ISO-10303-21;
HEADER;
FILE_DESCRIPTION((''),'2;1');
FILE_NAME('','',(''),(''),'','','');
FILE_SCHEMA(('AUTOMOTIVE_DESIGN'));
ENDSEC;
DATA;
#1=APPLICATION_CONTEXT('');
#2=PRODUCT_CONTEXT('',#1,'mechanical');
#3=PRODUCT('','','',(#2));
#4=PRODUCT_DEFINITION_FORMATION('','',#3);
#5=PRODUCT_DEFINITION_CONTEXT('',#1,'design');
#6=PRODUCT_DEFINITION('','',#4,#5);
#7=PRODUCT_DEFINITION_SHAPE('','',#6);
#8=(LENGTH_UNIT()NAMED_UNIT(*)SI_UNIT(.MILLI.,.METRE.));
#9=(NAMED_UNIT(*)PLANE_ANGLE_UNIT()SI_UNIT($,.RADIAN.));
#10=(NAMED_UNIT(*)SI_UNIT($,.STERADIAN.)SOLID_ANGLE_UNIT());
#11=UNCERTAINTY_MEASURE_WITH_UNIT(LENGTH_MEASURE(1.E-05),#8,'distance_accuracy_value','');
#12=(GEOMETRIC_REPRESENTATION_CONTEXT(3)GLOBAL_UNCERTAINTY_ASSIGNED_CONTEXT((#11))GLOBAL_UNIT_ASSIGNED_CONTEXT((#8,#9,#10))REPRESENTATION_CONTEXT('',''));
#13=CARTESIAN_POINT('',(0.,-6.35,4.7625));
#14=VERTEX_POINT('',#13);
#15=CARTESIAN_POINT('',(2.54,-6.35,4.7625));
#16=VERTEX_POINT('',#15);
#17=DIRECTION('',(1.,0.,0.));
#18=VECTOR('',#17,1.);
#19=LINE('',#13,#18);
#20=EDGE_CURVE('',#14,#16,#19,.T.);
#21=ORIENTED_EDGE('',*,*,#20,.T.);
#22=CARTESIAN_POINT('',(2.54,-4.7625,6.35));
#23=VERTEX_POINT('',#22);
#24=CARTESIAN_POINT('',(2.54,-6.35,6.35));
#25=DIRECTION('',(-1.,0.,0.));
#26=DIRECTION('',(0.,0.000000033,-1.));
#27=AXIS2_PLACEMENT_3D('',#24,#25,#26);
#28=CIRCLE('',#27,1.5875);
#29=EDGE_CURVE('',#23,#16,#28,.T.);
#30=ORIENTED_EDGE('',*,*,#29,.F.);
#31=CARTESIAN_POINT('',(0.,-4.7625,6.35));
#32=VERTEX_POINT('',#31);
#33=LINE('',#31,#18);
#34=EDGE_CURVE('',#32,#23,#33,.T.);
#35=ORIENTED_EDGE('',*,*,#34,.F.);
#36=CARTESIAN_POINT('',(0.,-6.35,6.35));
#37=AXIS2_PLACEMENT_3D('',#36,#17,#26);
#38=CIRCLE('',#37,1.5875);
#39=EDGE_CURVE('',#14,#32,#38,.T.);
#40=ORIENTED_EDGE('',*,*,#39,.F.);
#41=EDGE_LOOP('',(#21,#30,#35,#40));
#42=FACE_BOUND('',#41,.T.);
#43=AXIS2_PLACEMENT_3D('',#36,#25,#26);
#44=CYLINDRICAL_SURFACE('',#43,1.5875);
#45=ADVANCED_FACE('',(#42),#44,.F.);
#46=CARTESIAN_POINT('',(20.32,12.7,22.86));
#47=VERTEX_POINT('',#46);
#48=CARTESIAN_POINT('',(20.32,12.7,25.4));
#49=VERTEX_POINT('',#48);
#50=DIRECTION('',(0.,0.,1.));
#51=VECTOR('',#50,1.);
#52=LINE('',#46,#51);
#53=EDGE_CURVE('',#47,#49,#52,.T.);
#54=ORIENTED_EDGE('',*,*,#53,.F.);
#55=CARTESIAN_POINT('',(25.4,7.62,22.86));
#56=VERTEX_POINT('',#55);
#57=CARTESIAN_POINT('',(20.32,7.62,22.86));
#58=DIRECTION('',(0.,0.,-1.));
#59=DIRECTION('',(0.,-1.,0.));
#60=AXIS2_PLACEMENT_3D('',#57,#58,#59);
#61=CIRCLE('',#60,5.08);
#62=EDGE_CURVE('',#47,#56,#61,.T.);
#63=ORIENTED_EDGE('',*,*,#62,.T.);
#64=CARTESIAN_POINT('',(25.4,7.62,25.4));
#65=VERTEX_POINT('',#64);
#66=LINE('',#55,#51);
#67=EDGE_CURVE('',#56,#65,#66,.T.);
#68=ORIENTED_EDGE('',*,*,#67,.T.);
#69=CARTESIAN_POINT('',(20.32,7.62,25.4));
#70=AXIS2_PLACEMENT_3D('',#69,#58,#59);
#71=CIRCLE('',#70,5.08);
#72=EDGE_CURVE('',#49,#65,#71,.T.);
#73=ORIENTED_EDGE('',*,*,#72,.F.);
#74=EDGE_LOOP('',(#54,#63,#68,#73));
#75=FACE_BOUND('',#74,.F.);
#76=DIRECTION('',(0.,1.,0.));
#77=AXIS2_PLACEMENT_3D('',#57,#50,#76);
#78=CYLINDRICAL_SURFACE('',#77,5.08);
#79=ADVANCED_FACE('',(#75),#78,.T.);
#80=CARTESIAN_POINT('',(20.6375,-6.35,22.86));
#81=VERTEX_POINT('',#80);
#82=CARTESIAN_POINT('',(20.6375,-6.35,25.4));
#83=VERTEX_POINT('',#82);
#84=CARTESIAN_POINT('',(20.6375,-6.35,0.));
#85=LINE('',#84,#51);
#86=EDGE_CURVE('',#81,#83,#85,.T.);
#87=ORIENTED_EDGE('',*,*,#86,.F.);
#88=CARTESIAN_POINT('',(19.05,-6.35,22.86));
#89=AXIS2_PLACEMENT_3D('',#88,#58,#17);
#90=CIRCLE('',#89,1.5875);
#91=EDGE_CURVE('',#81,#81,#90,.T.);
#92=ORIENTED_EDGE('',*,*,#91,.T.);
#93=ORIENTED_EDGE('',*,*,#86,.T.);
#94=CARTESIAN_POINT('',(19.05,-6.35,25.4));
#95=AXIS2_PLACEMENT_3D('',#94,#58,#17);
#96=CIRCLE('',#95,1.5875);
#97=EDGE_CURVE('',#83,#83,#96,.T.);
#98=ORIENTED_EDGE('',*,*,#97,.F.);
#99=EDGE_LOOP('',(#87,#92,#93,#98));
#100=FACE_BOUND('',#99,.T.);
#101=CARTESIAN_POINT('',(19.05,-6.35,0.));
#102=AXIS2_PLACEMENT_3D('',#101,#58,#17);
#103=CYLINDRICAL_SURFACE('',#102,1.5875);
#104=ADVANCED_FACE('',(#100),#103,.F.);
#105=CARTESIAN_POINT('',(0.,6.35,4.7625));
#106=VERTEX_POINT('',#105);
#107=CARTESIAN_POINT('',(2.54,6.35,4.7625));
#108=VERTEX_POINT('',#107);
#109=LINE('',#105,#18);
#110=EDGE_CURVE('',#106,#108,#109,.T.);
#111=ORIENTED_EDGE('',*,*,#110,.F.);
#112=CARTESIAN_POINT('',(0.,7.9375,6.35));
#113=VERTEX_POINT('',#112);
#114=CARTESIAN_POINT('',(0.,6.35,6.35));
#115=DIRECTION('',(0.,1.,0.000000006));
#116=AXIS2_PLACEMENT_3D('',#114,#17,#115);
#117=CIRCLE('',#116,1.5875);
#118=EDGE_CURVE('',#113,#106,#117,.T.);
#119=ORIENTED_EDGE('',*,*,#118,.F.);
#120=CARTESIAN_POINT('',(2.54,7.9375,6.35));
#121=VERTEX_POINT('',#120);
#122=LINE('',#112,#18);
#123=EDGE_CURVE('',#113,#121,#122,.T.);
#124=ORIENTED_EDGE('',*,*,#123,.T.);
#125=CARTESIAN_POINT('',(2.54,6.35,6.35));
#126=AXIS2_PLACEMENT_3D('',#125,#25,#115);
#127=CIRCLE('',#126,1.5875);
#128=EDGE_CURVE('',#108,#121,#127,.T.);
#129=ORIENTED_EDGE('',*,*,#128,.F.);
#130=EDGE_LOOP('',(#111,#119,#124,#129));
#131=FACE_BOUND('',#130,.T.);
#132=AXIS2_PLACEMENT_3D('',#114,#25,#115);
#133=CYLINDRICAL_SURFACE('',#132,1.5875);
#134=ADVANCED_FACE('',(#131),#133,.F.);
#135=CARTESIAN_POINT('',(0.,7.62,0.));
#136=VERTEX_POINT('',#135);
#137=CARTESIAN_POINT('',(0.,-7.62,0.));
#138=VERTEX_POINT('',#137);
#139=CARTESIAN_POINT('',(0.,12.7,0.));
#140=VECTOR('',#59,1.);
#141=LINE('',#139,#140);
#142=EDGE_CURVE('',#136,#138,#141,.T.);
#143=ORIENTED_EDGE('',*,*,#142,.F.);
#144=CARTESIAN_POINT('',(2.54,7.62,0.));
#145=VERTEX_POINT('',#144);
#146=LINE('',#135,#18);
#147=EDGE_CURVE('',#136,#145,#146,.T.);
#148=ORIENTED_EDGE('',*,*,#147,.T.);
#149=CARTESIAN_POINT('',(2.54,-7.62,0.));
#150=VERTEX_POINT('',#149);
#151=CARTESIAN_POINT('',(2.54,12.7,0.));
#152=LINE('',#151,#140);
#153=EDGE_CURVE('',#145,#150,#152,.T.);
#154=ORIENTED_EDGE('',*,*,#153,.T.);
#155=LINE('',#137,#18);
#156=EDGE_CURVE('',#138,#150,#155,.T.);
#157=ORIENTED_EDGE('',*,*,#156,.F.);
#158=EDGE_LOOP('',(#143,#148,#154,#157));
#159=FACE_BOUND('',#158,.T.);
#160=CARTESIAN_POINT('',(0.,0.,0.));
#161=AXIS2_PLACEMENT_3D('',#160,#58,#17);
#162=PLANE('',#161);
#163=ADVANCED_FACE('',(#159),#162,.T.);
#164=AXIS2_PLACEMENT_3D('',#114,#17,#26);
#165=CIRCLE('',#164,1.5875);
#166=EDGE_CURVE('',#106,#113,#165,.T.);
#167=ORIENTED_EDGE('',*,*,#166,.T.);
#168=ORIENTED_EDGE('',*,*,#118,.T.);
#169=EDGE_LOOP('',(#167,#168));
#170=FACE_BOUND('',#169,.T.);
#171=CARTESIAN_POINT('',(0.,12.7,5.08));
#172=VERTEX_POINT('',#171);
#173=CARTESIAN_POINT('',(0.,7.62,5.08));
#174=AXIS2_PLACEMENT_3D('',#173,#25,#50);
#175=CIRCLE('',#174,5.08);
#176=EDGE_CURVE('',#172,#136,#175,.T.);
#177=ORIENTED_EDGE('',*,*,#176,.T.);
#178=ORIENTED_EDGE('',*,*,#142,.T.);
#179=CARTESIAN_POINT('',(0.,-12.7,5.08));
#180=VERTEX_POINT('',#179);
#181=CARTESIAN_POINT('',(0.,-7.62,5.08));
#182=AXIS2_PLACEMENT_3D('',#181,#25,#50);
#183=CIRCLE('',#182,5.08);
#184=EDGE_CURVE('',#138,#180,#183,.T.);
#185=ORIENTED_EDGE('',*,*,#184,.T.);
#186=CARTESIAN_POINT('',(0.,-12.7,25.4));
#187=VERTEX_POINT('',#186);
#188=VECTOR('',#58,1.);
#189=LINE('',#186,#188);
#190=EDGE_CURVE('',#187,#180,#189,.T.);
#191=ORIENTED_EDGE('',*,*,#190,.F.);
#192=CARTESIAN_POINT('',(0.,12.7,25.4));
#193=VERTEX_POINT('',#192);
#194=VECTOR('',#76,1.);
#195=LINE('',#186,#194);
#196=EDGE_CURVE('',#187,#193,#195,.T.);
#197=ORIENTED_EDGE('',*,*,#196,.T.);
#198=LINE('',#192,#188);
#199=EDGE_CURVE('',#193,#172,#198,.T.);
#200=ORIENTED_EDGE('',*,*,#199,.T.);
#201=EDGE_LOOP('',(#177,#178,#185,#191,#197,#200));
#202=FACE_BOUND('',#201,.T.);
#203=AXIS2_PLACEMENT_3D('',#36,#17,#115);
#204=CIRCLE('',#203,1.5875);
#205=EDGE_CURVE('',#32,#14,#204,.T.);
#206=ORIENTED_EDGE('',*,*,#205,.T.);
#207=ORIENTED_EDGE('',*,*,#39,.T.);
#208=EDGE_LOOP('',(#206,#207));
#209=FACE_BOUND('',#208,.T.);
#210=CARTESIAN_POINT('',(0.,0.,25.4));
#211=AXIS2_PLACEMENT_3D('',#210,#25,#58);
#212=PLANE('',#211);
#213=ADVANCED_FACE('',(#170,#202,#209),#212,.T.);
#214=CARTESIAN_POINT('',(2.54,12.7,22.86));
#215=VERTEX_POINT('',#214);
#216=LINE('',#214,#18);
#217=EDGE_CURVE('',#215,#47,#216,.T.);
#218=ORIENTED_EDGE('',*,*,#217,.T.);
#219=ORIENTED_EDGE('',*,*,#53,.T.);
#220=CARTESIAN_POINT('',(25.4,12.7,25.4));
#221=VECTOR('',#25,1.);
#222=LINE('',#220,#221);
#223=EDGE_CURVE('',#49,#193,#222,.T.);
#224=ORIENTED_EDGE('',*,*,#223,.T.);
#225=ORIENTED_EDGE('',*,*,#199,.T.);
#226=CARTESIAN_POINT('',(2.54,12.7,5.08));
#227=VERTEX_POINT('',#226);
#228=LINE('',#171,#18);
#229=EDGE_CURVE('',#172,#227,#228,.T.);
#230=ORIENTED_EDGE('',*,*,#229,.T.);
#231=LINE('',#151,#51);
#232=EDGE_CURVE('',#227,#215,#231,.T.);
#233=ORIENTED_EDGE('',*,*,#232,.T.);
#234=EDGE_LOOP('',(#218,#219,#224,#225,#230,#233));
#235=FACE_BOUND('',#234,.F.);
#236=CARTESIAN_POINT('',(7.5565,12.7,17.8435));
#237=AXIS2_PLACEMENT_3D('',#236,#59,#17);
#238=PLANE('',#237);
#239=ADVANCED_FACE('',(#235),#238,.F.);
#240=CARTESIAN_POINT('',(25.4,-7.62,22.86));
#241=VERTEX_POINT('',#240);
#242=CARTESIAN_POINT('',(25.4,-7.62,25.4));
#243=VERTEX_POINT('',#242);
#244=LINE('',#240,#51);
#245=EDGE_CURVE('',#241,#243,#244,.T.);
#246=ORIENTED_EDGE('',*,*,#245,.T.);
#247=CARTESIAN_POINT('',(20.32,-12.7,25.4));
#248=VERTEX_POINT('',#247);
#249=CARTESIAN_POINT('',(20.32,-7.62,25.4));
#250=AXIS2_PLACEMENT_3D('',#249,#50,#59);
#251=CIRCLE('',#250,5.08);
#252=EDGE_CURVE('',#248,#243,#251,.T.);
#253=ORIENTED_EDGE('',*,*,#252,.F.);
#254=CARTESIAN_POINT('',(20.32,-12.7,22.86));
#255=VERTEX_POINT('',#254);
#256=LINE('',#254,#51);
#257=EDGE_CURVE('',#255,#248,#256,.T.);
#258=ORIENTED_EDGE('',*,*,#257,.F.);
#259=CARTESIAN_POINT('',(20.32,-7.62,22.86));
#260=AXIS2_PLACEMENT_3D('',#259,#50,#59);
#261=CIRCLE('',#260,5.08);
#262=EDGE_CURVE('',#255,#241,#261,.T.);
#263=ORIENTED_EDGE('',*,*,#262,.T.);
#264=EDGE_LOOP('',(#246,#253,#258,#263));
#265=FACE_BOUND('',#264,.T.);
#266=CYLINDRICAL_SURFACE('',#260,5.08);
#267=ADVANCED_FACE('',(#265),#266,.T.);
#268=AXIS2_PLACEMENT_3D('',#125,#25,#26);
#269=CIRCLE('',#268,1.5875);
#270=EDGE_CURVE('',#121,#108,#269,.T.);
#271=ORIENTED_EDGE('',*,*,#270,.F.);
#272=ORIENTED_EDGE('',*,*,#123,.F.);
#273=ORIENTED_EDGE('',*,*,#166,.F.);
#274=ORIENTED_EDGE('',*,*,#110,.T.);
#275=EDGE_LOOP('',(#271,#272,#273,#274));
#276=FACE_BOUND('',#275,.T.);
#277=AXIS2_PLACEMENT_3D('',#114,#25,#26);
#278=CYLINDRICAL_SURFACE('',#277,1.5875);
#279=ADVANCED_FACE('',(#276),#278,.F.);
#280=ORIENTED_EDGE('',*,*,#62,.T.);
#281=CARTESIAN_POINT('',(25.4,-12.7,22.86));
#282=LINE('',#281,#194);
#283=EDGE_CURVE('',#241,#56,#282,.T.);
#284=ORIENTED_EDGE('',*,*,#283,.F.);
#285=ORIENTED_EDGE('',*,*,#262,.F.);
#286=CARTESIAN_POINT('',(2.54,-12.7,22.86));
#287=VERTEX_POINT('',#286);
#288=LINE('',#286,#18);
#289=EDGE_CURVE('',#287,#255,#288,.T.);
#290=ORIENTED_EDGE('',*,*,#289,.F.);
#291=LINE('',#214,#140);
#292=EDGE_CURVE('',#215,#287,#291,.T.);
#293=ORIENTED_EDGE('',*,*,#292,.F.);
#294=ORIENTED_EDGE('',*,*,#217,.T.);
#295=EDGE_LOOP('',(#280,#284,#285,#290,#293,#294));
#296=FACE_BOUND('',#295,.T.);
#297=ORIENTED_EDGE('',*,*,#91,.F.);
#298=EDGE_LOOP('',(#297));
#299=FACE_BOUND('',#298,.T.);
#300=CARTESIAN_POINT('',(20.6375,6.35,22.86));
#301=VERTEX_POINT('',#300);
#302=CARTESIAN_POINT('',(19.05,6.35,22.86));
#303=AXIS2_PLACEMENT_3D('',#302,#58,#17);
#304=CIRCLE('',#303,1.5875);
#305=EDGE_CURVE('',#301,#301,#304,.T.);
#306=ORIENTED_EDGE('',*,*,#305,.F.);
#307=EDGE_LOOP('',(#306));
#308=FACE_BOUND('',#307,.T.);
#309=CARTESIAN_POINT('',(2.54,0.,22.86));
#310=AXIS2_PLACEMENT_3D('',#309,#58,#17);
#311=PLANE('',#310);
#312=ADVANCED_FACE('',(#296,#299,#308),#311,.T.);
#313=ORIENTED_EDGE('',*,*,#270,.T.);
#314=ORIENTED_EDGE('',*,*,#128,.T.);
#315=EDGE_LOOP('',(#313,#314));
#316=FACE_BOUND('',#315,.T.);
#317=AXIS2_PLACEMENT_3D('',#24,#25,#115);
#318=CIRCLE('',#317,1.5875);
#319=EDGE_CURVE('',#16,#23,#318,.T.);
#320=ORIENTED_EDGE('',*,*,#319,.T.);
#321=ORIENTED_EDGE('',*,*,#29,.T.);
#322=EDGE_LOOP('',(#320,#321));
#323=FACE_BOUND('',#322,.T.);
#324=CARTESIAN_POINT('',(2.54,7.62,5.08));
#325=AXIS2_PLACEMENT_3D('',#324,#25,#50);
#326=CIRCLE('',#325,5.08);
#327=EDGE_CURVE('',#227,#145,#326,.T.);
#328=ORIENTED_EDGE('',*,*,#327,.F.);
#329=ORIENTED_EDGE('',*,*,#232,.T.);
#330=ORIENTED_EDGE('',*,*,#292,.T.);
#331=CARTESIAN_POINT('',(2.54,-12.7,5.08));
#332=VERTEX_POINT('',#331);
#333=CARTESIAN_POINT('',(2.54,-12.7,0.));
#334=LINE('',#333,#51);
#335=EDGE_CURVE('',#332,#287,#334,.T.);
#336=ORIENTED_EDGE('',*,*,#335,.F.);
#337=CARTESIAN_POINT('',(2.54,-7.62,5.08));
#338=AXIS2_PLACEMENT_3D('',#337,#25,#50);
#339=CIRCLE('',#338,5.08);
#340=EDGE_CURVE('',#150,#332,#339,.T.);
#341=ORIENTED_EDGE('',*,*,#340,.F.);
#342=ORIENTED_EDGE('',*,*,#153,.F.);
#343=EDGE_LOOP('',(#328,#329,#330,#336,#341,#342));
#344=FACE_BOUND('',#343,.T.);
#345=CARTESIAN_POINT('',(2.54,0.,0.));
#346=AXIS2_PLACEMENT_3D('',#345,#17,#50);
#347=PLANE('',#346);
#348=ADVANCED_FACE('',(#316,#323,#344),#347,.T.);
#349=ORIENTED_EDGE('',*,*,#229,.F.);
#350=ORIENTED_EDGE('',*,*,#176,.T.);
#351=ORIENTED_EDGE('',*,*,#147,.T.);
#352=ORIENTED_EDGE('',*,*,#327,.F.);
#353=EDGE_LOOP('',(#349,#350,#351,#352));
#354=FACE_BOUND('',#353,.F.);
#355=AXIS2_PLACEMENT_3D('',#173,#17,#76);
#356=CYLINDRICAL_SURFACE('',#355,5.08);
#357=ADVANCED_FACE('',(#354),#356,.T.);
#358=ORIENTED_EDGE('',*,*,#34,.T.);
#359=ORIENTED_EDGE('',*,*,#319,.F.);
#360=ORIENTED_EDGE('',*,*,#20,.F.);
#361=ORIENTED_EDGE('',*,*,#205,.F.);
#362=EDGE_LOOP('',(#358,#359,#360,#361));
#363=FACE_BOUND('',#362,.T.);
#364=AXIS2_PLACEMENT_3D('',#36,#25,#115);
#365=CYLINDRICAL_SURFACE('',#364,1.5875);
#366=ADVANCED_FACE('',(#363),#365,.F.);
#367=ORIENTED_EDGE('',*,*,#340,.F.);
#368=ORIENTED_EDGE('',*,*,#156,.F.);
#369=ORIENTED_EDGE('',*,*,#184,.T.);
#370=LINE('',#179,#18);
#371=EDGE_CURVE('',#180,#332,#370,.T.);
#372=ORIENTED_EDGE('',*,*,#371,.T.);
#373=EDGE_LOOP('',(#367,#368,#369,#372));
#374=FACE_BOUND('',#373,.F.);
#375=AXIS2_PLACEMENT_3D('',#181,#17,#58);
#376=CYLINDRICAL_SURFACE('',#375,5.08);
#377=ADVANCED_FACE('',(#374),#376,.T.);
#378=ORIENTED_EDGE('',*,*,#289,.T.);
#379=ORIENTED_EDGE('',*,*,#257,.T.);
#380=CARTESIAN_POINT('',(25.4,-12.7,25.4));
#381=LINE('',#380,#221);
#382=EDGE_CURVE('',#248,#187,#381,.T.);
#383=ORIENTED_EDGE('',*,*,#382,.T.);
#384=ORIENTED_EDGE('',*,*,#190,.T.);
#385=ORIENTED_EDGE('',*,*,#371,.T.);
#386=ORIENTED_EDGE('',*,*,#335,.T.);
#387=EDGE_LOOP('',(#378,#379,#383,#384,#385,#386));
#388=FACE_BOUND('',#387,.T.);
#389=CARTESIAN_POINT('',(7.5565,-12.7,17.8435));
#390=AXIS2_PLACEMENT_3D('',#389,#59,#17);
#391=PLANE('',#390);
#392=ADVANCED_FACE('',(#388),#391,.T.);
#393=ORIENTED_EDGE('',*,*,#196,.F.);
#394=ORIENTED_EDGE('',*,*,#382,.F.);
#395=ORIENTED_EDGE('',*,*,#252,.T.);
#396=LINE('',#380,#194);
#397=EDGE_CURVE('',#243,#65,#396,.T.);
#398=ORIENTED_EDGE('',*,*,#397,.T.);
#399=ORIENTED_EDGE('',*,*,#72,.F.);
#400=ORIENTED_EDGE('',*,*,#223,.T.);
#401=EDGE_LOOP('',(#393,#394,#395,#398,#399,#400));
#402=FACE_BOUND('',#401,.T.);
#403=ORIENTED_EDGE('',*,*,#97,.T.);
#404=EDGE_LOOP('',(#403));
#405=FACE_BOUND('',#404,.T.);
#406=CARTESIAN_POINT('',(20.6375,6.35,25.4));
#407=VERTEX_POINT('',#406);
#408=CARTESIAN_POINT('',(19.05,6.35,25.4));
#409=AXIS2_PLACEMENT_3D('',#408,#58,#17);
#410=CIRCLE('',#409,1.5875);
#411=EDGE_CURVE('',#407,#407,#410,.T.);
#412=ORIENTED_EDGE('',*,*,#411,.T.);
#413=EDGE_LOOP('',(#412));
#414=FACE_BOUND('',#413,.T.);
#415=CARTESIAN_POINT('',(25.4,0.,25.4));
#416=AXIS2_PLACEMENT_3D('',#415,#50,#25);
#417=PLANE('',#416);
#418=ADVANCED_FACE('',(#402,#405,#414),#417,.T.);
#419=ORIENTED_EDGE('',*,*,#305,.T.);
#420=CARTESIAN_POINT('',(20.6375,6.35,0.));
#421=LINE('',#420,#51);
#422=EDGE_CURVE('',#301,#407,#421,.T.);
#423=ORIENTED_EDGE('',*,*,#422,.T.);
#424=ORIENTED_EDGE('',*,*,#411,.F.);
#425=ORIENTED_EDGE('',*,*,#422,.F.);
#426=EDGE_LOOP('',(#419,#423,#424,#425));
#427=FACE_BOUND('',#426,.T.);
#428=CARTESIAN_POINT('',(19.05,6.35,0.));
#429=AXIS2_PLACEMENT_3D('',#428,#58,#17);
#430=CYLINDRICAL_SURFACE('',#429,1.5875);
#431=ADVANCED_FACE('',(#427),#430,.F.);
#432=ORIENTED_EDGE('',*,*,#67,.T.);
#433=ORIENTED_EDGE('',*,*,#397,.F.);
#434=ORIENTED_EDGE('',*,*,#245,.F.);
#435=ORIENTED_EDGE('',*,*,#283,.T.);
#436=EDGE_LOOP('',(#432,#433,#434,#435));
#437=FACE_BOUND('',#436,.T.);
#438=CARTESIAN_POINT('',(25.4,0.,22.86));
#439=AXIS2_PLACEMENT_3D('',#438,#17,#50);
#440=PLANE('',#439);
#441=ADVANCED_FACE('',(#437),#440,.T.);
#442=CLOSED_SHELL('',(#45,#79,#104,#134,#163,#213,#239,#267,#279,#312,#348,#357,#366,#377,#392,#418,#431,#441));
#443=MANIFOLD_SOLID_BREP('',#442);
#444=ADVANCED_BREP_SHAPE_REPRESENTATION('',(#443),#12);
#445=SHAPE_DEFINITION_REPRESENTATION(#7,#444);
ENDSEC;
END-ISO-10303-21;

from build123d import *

# Parameters (mm, degrees)
F3_DEPTH = 12.7
F1_R     = 1.5875
F4_DEPTH = 39.37
F5_DEPTH = 8.382
F6_R     = 5.08


with BuildPart() as f3:
    # F0 (on Front) → F3 (new body, symmetric)
    with BuildSketch(Plane.XZ):
        Polygon((0, 25.4), (0, 0), (2.54, 0), (2.54, 22.86), (25.4, 22.86), (25.4, 25.4), align=None)
    extrude(amount=F3_DEPTH, both=True)

    # F1 (on Top) → F4 (cut)
    with BuildSketch(Plane.XY):
        with Locations((19.05, 6.35)):
            Circle(F1_R)
        with Locations((19.05, -6.35)):
            Circle(F1_R)
    extrude(amount=F4_DEPTH, mode=Mode.SUBTRACT)

    # F2 (on Right) → F5 (cut)
    with BuildSketch(Plane.YZ):
        with BuildLine():
            ThreePointArc((7.9375, 6.35), (5.227468, 7.472532), (6.35, 4.7625))
            ThreePointArc((6.35, 4.7625), (7.472532, 5.227468), (7.9375, 6.35))
        make_face()
        with BuildLine():
            ThreePointArc((-4.7625, 6.35), (-7.472532, 7.472532), (-6.35, 4.7625))
            ThreePointArc((-6.35, 4.7625), (-5.227468, 5.227468), (-4.7625, 6.35))
        make_face()
    extrude(amount=F5_DEPTH, mode=Mode.SUBTRACT)

    # F6
    f6_edges = [f3.edges().sort_by_distance(p)[0] for p in [
        (25.4, -12.7, 24.13),
        (25.4, 12.7, 24.13),
        (1.27, -12.7, 0),
        (1.27, 12.7, 0),
    ]]
    fillet(f6_edges, radius=F6_R)


solid = f3.part
